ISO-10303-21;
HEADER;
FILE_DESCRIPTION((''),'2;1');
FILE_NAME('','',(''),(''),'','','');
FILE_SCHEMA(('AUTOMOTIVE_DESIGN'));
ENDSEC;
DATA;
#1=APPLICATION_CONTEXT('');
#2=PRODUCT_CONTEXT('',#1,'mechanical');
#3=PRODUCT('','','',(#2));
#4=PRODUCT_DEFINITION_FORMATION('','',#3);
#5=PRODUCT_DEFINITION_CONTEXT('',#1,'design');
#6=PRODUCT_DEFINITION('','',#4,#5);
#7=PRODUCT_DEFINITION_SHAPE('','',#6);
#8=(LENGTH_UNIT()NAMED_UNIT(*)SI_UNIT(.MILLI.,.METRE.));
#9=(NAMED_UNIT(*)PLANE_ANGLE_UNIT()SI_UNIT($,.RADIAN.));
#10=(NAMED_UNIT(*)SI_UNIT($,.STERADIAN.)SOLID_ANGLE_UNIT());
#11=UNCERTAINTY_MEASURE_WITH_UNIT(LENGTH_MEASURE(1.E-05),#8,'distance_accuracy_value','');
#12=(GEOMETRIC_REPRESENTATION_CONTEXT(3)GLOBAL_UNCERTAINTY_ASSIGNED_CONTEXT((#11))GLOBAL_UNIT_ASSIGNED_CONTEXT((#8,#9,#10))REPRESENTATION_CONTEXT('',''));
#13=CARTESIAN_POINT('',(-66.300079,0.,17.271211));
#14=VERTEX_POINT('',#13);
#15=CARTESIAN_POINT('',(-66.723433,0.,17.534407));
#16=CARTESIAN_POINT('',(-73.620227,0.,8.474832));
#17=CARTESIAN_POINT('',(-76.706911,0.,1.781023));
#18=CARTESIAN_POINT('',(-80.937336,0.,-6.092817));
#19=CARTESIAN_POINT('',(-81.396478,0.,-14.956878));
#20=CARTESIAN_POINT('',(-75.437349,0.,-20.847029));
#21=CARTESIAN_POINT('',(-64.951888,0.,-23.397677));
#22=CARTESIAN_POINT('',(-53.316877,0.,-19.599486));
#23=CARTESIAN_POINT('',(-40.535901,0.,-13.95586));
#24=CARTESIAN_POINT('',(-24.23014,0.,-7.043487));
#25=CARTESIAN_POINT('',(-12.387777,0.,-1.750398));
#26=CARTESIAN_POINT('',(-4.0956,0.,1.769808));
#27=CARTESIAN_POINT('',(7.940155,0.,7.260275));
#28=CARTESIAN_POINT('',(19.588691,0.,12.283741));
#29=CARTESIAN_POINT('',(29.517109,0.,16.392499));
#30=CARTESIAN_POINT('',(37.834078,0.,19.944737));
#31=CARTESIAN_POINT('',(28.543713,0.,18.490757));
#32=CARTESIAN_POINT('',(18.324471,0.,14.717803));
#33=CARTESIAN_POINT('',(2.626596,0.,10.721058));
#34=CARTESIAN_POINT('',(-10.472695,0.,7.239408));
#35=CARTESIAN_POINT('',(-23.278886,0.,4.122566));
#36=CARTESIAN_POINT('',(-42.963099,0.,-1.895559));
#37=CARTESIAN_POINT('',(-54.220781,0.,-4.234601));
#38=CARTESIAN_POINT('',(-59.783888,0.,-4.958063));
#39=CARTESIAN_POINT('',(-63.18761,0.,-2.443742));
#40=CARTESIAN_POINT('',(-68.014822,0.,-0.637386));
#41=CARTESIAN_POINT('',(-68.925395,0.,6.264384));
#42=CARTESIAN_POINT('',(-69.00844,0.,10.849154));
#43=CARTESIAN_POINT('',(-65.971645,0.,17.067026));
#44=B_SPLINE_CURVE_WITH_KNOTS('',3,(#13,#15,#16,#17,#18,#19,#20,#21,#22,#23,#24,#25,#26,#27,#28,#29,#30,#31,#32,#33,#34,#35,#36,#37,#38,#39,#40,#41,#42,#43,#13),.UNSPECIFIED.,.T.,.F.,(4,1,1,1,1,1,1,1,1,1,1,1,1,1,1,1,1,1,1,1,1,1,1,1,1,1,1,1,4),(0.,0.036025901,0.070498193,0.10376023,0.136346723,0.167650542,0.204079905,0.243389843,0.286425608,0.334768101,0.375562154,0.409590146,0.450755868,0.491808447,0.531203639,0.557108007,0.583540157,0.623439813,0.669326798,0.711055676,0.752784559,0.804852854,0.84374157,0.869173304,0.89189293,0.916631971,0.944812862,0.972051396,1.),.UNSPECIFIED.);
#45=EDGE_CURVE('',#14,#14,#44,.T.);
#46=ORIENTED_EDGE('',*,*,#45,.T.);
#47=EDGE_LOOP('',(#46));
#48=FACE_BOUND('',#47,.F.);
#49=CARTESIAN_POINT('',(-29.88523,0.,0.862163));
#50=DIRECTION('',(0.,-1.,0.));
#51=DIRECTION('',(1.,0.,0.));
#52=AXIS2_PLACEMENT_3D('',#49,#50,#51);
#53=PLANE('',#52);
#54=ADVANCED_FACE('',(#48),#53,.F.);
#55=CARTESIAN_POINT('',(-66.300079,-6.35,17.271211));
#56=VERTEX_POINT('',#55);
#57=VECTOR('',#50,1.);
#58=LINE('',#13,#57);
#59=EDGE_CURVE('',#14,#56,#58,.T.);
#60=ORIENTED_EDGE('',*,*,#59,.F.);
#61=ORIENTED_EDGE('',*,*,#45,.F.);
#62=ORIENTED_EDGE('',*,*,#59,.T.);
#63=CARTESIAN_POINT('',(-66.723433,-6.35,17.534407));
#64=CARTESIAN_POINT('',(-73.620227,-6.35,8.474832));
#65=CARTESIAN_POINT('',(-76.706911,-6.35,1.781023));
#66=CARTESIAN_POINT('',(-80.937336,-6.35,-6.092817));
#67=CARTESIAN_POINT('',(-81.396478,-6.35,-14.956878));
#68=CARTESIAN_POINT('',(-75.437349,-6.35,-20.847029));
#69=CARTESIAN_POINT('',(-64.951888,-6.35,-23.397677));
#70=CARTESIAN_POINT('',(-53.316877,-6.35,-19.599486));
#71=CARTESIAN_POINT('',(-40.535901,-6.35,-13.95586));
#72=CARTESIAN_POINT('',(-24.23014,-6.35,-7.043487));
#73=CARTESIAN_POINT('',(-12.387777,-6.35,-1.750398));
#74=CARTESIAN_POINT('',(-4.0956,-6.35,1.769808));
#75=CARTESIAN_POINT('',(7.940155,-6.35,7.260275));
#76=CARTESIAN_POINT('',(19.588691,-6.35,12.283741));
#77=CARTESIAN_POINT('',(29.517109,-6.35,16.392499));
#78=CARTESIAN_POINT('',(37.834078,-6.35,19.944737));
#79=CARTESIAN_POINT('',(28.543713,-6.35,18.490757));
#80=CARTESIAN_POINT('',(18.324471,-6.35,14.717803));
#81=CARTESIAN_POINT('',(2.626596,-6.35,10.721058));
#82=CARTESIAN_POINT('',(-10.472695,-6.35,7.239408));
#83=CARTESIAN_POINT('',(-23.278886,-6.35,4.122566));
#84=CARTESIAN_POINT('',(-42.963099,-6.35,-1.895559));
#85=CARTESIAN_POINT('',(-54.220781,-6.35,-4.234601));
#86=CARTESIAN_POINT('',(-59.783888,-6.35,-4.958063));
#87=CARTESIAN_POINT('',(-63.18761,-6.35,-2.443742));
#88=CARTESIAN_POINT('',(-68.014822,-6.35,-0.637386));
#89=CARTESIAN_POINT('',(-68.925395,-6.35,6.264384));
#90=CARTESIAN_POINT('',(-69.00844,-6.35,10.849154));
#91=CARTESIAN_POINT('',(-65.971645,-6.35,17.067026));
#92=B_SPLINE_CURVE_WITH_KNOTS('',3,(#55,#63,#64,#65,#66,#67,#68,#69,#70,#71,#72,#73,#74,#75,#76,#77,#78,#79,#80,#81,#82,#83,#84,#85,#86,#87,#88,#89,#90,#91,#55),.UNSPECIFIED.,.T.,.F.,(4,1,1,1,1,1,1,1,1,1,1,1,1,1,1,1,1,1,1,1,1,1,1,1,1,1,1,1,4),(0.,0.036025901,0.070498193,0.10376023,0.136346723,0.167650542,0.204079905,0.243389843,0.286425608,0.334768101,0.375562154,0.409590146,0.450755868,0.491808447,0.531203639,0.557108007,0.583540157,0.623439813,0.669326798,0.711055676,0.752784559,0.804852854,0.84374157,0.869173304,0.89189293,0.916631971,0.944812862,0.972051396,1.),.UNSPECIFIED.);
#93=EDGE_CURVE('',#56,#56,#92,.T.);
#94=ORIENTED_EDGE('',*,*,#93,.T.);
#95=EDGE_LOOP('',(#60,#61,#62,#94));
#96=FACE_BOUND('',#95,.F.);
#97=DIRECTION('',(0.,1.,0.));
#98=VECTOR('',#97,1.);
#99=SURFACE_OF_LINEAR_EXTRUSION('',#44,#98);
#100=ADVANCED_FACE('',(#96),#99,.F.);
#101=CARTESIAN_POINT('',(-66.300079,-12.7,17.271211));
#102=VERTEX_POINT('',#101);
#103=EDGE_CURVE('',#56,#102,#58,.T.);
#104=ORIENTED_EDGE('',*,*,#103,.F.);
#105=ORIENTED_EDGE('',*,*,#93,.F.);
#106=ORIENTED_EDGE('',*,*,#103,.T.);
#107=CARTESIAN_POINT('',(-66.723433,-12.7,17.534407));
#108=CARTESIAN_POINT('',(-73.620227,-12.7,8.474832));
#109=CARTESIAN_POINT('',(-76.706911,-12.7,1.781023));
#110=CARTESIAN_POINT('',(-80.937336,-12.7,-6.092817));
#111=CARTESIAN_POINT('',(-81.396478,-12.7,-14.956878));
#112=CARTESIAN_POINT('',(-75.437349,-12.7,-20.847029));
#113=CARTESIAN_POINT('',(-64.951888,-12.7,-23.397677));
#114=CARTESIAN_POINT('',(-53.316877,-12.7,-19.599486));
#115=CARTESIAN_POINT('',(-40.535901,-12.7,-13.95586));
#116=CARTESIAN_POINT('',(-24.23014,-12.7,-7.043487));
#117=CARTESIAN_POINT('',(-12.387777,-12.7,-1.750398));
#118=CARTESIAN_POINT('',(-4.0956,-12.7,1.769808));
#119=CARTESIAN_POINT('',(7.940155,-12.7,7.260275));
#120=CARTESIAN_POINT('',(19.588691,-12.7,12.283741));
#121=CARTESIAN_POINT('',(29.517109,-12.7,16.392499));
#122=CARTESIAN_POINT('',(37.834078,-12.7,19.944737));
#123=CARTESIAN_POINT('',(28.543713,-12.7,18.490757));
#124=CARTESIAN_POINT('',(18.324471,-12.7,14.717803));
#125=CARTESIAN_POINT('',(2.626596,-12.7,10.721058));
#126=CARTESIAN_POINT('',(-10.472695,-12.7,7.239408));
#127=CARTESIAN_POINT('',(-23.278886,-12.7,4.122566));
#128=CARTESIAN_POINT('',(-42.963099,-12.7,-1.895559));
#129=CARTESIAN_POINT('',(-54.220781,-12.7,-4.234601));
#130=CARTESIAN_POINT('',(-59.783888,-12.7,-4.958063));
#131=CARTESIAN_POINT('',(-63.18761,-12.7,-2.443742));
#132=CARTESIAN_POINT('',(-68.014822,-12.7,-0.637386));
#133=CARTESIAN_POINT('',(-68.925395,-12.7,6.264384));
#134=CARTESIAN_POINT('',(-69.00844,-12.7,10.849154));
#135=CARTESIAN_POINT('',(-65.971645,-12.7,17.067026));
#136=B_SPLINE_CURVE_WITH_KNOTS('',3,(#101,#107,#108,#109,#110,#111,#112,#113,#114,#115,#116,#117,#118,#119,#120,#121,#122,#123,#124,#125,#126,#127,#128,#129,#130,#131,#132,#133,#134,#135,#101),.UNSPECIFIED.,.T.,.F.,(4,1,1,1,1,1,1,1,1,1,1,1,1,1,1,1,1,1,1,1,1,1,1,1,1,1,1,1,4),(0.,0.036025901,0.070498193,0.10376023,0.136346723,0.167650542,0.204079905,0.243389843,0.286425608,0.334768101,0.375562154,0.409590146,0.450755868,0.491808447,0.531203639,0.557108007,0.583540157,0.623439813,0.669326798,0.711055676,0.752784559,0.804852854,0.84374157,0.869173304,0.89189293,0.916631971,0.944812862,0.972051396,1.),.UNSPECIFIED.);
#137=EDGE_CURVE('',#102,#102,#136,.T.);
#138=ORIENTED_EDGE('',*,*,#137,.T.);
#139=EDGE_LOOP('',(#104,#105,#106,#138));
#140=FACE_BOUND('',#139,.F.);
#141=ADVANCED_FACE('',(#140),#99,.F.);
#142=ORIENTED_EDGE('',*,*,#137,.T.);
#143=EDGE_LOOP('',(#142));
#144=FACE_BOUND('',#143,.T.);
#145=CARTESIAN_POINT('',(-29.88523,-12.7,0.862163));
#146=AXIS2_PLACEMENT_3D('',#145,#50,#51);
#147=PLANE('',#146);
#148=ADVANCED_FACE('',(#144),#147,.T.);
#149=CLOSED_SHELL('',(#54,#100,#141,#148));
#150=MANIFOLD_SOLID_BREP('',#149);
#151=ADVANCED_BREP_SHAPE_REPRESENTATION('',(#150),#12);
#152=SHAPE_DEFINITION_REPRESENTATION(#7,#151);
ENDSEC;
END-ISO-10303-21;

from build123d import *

# Parameters (mm, degrees)
F1_DEPTH = 6.35
F2_DEPTH = 12.7


with BuildPart() as f1:
    # F0 (on Front) → F1 (new body)
    with BuildSketch(Plane.XZ):
        with BuildLine():
            add(Edge.make_bspline(
                [(-66.3000792265, 17.2712113708), (-66.7234332562, 17.5344070987), (-73.6202270523, 8.4748321112), (-76.7069107424, 1.7810225236), (-80.9373358604, -6.0928174548), (-81.3964778776, -14.9568782291), (-75.4373486609, -20.8470289235), (-64.9518876284, -23.3976774197), (-53.3168765206, -19.5994862443), (-40.5359013258, -13.9558602654), (-24.2301399548, -7.0434873457), (-12.3877765634, -1.7503980052), (-4.0956001516, 1.769808349), (7.9401551469, 7.260275245), (19.5886908943, 12.2837405501), (29.51710916, 16.3924985526), (37.834078038, 19.9447374422), (28.543712767, 18.4907574736), (18.3244710391, 14.7178030335), (2.6265959968, 10.7210578894), (-10.4726952142, 7.23940822), (-23.27888596, 4.1225659795), (-42.9630993272, -1.895558981), (-54.2207806664, -4.2346006826), (-59.783888386, -4.9580632341), (-63.1876104988, -2.4437423252), (-68.0148220624, -0.6373858456), (-68.9253945068, 6.264384409), (-69.0084401142, 10.8491539475), (-65.9716445728, 17.0670262405), (-66.3000792265, 17.2712113708)],
                knots=[0, 0, 0, 0, 0.0360259008, 0.0704981932, 0.1037602298, 0.1363467231, 0.1676505418, 0.2040799046, 0.2433898431, 0.2864256083, 0.3347681013, 0.3755621538, 0.4095901457, 0.4507558675, 0.4918084474, 0.5312036394, 0.557108007, 0.5835401572, 0.6234398127, 0.6693267984, 0.7110556763, 0.7527845589, 0.8048528538, 0.8437415697, 0.869173304, 0.8918929302, 0.9166319709, 0.9448128617, 0.9720513957, 1, 1, 1, 1], degree=3))
        make_face()
    extrude(amount=F1_DEPTH)

    # F0 (on Front) → F2 (join)
    with BuildSketch(Plane.XZ):
        with BuildLine():
            add(Edge.make_bspline(
                [(-66.3000792265, 17.2712113708), (-66.7234332562, 17.5344070987), (-73.6202270523, 8.4748321112), (-76.7069107424, 1.7810225236), (-80.9373358604, -6.0928174548), (-81.3964778776, -14.9568782291), (-75.4373486609, -20.8470289235), (-64.9518876284, -23.3976774197), (-53.3168765206, -19.5994862443), (-40.5359013258, -13.9558602654), (-24.2301399548, -7.0434873457), (-12.3877765634, -1.7503980052), (-4.0956001516, 1.769808349), (7.9401551469, 7.260275245), (19.5886908943, 12.2837405501), (29.51710916, 16.3924985526), (37.834078038, 19.9447374422), (28.543712767, 18.4907574736), (18.3244710391, 14.7178030335), (2.6265959968, 10.7210578894), (-10.4726952142, 7.23940822), (-23.27888596, 4.1225659795), (-42.9630993272, -1.895558981), (-54.2207806664, -4.2346006826), (-59.783888386, -4.9580632341), (-63.1876104988, -2.4437423252), (-68.0148220624, -0.6373858456), (-68.9253945068, 6.264384409), (-69.0084401142, 10.8491539475), (-65.9716445728, 17.0670262405), (-66.3000792265, 17.2712113708)],
                knots=[0, 0, 0, 0, 0.0360259008, 0.0704981932, 0.1037602298, 0.1363467231, 0.1676505418, 0.2040799046, 0.2433898431, 0.2864256083, 0.3347681013, 0.3755621538, 0.4095901457, 0.4507558675, 0.4918084474, 0.5312036394, 0.557108007, 0.5835401572, 0.6234398127, 0.6693267984, 0.7110556763, 0.7527845589, 0.8048528538, 0.8437415697, 0.869173304, 0.8918929302, 0.9166319709, 0.9448128617, 0.9720513957, 1, 1, 1, 1], degree=3))
        make_face()
    extrude(amount=F2_DEPTH)


solid = f1.part
